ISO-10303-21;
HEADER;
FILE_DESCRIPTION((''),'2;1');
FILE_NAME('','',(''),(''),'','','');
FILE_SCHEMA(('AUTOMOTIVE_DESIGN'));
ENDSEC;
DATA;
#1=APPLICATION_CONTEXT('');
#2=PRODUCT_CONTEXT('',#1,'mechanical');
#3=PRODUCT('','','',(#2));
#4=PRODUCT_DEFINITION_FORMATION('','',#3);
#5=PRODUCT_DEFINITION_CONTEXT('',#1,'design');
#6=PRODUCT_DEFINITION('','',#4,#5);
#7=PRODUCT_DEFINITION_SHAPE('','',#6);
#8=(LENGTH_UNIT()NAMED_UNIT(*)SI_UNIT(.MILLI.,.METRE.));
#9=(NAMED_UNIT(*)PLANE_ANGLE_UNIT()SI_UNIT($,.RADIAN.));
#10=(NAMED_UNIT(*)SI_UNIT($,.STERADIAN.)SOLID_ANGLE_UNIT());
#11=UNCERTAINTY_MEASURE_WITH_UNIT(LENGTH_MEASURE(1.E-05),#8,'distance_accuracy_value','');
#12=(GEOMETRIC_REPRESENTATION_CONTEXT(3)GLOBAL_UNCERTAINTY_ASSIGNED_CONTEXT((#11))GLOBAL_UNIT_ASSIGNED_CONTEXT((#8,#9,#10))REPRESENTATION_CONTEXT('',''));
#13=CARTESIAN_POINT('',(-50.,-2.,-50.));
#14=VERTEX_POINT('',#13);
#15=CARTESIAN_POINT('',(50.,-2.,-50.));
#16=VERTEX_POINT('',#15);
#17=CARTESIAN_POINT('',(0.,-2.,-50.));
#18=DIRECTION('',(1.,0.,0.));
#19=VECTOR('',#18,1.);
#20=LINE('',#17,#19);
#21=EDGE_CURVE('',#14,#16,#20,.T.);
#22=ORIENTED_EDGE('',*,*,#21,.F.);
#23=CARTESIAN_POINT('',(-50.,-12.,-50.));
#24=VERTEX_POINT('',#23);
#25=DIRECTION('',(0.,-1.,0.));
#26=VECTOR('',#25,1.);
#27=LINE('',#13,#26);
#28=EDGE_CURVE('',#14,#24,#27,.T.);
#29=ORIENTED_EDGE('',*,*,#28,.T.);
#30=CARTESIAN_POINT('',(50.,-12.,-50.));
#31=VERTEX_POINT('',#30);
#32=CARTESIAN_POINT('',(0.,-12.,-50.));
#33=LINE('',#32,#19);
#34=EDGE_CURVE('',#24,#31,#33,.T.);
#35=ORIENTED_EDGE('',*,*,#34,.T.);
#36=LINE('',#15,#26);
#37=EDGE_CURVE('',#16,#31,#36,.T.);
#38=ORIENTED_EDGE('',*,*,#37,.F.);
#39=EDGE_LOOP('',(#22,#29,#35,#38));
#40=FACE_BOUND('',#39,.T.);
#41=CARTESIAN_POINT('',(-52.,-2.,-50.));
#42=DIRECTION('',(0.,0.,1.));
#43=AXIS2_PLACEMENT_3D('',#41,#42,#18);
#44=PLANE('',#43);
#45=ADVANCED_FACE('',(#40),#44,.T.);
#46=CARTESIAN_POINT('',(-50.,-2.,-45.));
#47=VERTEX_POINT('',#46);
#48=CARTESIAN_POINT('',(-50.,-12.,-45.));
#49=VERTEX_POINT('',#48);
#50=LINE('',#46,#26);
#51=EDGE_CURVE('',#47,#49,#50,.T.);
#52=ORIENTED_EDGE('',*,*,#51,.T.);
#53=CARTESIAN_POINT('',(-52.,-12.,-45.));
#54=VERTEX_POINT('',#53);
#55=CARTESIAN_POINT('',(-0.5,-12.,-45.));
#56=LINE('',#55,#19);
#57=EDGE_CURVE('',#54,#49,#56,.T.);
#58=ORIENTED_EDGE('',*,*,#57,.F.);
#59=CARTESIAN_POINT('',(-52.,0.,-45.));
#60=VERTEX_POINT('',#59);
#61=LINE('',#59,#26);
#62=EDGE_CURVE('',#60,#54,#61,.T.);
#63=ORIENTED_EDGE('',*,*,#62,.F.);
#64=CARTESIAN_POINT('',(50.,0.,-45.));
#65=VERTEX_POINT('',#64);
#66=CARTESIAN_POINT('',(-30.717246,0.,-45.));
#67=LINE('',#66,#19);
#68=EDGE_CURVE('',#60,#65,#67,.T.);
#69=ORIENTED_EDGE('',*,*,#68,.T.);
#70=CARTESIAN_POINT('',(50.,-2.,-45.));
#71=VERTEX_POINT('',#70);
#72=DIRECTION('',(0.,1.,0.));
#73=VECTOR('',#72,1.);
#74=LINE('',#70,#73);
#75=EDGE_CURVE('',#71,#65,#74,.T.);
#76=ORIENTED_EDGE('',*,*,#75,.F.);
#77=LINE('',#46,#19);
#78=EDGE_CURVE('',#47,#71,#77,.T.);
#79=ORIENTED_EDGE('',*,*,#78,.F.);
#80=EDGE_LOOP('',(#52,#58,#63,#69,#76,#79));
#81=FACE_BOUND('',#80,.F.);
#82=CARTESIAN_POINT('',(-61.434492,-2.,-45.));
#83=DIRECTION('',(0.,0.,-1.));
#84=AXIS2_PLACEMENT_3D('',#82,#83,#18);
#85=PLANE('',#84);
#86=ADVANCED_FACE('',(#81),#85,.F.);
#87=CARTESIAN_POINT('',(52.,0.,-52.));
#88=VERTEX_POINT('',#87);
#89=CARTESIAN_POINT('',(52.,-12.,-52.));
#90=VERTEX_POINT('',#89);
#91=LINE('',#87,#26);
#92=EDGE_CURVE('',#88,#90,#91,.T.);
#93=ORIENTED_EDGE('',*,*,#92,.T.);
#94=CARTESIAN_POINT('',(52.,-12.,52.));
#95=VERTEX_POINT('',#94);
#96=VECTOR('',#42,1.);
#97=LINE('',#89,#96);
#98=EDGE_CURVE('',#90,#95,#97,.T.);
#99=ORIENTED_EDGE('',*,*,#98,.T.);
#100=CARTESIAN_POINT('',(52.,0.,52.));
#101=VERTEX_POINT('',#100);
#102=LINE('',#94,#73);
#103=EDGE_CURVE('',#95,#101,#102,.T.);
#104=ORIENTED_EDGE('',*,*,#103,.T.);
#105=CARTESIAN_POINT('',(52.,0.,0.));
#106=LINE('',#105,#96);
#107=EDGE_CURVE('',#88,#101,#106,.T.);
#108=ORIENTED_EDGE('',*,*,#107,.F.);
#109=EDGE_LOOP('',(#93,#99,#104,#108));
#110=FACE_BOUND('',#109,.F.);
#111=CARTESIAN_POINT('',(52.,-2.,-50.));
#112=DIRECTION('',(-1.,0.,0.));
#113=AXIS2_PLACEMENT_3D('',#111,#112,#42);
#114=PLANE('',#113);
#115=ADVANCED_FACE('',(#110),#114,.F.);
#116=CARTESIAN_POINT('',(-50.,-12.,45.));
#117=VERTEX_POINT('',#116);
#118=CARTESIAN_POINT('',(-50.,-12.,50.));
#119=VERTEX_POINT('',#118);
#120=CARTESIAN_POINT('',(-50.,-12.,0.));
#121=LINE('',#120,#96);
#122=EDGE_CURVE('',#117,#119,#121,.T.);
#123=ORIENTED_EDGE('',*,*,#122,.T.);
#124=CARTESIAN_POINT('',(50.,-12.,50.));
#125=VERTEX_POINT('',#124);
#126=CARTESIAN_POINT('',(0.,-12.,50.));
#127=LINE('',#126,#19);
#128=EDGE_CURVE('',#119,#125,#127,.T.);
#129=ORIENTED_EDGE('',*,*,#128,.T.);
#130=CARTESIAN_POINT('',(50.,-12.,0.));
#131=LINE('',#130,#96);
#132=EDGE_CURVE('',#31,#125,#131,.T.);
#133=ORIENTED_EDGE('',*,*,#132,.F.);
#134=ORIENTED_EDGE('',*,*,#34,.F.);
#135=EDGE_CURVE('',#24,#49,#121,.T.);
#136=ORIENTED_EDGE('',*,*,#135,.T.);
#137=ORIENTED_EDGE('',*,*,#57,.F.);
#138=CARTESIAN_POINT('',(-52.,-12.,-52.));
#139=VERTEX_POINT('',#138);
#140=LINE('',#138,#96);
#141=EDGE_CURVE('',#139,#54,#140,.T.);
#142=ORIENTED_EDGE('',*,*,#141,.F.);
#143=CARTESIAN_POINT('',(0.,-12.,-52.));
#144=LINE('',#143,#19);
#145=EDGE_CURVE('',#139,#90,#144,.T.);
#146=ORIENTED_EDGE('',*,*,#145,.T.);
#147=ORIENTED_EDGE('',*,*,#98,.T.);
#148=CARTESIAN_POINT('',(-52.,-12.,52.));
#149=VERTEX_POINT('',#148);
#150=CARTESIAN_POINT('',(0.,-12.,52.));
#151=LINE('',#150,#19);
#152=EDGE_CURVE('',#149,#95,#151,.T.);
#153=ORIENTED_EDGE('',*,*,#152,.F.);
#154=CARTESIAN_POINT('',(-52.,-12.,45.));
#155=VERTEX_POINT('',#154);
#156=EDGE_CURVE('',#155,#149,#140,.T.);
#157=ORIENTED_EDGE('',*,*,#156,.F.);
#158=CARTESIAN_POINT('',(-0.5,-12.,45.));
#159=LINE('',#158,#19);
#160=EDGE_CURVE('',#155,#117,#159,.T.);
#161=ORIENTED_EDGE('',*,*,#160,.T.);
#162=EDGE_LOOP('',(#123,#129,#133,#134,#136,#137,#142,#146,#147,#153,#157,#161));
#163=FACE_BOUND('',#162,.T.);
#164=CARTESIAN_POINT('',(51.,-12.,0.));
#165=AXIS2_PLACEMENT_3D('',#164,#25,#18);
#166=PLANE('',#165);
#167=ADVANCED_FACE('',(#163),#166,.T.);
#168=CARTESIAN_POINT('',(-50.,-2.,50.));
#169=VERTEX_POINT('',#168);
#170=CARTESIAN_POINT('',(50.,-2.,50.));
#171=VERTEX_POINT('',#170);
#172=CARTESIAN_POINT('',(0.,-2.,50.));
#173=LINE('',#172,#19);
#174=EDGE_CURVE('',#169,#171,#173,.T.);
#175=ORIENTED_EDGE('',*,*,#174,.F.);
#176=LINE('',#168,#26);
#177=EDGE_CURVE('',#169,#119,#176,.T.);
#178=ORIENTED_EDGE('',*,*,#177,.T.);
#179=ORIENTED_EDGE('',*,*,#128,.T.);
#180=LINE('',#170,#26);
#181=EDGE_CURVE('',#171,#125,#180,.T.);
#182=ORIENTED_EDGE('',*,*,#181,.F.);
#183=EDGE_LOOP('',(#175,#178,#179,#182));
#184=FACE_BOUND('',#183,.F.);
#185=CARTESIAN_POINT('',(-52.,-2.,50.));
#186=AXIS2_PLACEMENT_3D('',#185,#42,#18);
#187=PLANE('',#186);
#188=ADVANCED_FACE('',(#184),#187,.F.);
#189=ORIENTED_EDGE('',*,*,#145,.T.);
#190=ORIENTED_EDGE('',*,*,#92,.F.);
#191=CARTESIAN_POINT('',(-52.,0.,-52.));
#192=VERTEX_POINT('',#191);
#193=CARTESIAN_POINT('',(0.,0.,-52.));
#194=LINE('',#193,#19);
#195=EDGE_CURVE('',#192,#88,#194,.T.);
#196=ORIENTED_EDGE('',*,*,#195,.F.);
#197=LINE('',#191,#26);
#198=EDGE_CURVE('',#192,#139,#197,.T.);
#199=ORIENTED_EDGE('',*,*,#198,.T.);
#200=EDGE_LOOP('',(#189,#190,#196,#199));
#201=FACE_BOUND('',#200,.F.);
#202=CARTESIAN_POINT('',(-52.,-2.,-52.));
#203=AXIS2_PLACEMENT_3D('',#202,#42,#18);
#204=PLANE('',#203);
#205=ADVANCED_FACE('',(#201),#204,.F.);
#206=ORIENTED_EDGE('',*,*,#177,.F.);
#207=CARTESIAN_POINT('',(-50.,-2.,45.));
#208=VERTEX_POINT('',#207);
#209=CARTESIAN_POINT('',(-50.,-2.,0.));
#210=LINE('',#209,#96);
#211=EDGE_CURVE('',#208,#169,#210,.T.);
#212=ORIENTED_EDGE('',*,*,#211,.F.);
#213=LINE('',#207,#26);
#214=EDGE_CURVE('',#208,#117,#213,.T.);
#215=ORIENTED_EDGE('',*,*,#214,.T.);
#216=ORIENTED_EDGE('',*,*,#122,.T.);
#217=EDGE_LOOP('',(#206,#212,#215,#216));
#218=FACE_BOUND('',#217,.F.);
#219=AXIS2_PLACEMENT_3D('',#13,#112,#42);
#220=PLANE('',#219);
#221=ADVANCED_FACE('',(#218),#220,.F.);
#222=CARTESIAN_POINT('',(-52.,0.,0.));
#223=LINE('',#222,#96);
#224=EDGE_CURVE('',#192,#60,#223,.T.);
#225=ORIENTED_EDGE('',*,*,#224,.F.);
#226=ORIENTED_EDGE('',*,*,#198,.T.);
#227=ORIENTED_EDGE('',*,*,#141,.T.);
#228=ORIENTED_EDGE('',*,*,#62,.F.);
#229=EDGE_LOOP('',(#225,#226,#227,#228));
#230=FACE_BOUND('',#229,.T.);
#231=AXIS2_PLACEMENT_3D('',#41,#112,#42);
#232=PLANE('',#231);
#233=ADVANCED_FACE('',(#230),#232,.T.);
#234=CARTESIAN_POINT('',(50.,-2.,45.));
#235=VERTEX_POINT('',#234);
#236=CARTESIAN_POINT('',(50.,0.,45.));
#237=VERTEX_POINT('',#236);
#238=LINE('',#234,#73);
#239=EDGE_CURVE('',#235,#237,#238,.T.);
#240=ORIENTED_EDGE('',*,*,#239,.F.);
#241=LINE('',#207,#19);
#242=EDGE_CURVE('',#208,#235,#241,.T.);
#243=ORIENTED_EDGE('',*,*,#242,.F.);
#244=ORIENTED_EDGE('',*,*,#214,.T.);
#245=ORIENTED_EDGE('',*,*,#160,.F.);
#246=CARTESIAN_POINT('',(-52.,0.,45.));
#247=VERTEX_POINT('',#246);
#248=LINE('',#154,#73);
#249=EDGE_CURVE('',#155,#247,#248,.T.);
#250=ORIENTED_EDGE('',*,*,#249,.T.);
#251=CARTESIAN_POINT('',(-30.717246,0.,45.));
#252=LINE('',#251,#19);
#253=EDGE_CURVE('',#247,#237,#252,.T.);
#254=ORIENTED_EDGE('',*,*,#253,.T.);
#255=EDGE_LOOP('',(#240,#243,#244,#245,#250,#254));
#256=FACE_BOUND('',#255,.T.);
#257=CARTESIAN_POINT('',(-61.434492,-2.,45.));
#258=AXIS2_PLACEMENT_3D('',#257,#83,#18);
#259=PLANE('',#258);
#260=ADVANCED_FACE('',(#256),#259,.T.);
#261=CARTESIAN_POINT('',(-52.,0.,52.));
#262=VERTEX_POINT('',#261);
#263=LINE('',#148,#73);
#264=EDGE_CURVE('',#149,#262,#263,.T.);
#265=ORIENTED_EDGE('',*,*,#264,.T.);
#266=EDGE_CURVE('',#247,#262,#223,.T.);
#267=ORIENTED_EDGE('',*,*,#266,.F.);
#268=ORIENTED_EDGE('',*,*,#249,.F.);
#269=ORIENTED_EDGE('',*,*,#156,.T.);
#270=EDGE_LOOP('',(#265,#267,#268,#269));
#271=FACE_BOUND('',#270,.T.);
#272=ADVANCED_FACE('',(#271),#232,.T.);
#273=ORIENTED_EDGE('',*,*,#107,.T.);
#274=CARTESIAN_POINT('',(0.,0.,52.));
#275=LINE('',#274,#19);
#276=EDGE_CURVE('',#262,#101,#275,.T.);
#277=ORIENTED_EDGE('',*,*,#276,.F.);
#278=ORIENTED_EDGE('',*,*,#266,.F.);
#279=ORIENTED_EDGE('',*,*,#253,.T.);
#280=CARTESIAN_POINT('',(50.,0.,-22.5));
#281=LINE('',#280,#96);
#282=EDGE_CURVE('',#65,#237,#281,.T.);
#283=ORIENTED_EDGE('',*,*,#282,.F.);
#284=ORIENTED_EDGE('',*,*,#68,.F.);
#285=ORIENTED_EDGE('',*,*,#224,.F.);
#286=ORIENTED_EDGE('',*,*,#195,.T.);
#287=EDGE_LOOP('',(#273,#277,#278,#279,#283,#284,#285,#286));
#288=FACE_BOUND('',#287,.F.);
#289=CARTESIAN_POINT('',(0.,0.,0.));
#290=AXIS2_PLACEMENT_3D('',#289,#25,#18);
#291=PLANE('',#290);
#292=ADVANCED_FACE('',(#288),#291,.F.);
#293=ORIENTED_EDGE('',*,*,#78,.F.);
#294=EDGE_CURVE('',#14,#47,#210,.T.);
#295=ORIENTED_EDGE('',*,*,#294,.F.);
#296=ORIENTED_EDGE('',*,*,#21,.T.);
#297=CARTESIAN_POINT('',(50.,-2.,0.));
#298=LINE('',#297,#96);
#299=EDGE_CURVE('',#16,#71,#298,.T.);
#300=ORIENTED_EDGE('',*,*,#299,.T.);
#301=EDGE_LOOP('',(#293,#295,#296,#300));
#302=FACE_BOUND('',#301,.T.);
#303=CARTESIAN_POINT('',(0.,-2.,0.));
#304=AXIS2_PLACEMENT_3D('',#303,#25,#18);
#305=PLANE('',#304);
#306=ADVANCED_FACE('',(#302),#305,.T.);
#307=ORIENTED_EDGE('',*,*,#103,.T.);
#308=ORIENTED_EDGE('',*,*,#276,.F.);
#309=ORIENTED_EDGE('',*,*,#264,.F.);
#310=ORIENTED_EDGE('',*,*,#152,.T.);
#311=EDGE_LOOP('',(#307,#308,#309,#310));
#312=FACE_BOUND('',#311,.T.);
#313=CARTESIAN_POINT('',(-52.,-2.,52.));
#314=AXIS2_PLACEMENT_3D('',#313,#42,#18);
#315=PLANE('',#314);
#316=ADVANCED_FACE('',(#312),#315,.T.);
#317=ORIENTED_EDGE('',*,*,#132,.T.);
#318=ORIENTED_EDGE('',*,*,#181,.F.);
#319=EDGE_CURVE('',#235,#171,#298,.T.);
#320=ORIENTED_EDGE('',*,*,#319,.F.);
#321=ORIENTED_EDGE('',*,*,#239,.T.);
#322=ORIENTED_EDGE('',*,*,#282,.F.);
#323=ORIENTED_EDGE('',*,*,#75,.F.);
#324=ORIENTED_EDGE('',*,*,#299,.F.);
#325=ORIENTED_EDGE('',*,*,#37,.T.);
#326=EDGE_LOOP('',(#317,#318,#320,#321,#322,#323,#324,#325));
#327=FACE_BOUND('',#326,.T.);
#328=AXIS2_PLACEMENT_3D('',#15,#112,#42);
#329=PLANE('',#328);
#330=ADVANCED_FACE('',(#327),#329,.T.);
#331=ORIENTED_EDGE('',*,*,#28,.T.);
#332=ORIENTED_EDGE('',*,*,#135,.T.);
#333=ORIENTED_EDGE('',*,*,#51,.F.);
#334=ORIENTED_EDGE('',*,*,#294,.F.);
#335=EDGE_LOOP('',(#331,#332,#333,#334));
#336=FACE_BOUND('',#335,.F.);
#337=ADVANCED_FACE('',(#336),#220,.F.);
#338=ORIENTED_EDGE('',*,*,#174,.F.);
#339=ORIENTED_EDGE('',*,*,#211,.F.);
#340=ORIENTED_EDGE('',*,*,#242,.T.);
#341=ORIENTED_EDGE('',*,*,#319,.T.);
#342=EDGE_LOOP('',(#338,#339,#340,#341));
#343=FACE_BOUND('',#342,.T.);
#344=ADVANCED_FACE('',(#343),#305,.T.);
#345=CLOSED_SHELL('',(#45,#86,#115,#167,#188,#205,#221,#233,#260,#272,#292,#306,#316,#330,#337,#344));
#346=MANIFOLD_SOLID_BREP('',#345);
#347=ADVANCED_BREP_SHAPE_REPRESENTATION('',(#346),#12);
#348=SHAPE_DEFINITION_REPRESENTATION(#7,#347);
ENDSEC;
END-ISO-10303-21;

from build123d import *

# Parameters (mm, degrees)
F0_W      = 104
F0_H      = 104
F1_DEPTH  = 2
F2_T      = -2
F3_W      = 104
F3_H      = 2
F4_DEPTH  = 10
F5_W      = 104
F5_H      = 2
F6_DEPTH  = 10
F7_W      = 2
F7_H      = 100
F8_DEPTH  = 10
F9_W      = 2
F9_H      = 100
F10_DEPTH = 10
F13_W     = 111.434492
F13_H     = 90
F14_DEPTH = 25
F15_W     = 15.078314
F15_H     = 90
F16_DEPTH = 25


with BuildPart() as f1:
    # F0 (on Front) → F1 (new body)
    with BuildSketch(Plane.XZ):
        Rectangle(F0_W, F0_H)
    extrude(amount=F1_DEPTH)

    # F2
    f2_openings = [f1.faces().sort_by_distance(p)[0] for p in [
        (0, -2, 0),
    ]]
    offset(amount=F2_T, openings=f2_openings)

    # F3 (on face) → F4 (join)
    with BuildSketch(Plane.XZ.offset(2)):
        with Locations((0, 51)):
            Rectangle(F3_W, F3_H)
    extrude(amount=F4_DEPTH)

    # F5 (on face) → F6 (join)
    with BuildSketch(Plane.XZ.offset(2)):
        with Locations((0, -51)):
            Rectangle(F5_W, F5_H)
    extrude(amount=F6_DEPTH)

    # F7 (on face) → F8 (join)
    with BuildSketch(Plane.XZ.offset(2)):
        with Locations((-51, 0)):
            Rectangle(F7_W, F7_H)
    extrude(amount=F8_DEPTH)

    # F9 (on face) → F10 (join)
    with BuildSketch(Plane.XZ.offset(2)):
        with Locations((51, 0)):
            Rectangle(F9_W, F9_H)
    extrude(amount=F10_DEPTH)

    # F13 (on face) → F14 (cut)
    with BuildSketch(Plane.XZ.offset(2)):
        with Locations((-5.717246, 0)):
            Rectangle(F13_W, F13_H)
    extrude(amount=-F14_DEPTH, mode=Mode.SUBTRACT)

    # F15 (on face) → F16 (cut)
    with BuildSketch(Plane(origin=(-52, 0, 0), x_dir=(0, -1, 0), z_dir=(-1, 0, 0))):
        with Locations((9.539157, 0)):
            Rectangle(F15_W, F15_H)
    extrude(amount=-F16_DEPTH, mode=Mode.SUBTRACT)


solid = f1.part
